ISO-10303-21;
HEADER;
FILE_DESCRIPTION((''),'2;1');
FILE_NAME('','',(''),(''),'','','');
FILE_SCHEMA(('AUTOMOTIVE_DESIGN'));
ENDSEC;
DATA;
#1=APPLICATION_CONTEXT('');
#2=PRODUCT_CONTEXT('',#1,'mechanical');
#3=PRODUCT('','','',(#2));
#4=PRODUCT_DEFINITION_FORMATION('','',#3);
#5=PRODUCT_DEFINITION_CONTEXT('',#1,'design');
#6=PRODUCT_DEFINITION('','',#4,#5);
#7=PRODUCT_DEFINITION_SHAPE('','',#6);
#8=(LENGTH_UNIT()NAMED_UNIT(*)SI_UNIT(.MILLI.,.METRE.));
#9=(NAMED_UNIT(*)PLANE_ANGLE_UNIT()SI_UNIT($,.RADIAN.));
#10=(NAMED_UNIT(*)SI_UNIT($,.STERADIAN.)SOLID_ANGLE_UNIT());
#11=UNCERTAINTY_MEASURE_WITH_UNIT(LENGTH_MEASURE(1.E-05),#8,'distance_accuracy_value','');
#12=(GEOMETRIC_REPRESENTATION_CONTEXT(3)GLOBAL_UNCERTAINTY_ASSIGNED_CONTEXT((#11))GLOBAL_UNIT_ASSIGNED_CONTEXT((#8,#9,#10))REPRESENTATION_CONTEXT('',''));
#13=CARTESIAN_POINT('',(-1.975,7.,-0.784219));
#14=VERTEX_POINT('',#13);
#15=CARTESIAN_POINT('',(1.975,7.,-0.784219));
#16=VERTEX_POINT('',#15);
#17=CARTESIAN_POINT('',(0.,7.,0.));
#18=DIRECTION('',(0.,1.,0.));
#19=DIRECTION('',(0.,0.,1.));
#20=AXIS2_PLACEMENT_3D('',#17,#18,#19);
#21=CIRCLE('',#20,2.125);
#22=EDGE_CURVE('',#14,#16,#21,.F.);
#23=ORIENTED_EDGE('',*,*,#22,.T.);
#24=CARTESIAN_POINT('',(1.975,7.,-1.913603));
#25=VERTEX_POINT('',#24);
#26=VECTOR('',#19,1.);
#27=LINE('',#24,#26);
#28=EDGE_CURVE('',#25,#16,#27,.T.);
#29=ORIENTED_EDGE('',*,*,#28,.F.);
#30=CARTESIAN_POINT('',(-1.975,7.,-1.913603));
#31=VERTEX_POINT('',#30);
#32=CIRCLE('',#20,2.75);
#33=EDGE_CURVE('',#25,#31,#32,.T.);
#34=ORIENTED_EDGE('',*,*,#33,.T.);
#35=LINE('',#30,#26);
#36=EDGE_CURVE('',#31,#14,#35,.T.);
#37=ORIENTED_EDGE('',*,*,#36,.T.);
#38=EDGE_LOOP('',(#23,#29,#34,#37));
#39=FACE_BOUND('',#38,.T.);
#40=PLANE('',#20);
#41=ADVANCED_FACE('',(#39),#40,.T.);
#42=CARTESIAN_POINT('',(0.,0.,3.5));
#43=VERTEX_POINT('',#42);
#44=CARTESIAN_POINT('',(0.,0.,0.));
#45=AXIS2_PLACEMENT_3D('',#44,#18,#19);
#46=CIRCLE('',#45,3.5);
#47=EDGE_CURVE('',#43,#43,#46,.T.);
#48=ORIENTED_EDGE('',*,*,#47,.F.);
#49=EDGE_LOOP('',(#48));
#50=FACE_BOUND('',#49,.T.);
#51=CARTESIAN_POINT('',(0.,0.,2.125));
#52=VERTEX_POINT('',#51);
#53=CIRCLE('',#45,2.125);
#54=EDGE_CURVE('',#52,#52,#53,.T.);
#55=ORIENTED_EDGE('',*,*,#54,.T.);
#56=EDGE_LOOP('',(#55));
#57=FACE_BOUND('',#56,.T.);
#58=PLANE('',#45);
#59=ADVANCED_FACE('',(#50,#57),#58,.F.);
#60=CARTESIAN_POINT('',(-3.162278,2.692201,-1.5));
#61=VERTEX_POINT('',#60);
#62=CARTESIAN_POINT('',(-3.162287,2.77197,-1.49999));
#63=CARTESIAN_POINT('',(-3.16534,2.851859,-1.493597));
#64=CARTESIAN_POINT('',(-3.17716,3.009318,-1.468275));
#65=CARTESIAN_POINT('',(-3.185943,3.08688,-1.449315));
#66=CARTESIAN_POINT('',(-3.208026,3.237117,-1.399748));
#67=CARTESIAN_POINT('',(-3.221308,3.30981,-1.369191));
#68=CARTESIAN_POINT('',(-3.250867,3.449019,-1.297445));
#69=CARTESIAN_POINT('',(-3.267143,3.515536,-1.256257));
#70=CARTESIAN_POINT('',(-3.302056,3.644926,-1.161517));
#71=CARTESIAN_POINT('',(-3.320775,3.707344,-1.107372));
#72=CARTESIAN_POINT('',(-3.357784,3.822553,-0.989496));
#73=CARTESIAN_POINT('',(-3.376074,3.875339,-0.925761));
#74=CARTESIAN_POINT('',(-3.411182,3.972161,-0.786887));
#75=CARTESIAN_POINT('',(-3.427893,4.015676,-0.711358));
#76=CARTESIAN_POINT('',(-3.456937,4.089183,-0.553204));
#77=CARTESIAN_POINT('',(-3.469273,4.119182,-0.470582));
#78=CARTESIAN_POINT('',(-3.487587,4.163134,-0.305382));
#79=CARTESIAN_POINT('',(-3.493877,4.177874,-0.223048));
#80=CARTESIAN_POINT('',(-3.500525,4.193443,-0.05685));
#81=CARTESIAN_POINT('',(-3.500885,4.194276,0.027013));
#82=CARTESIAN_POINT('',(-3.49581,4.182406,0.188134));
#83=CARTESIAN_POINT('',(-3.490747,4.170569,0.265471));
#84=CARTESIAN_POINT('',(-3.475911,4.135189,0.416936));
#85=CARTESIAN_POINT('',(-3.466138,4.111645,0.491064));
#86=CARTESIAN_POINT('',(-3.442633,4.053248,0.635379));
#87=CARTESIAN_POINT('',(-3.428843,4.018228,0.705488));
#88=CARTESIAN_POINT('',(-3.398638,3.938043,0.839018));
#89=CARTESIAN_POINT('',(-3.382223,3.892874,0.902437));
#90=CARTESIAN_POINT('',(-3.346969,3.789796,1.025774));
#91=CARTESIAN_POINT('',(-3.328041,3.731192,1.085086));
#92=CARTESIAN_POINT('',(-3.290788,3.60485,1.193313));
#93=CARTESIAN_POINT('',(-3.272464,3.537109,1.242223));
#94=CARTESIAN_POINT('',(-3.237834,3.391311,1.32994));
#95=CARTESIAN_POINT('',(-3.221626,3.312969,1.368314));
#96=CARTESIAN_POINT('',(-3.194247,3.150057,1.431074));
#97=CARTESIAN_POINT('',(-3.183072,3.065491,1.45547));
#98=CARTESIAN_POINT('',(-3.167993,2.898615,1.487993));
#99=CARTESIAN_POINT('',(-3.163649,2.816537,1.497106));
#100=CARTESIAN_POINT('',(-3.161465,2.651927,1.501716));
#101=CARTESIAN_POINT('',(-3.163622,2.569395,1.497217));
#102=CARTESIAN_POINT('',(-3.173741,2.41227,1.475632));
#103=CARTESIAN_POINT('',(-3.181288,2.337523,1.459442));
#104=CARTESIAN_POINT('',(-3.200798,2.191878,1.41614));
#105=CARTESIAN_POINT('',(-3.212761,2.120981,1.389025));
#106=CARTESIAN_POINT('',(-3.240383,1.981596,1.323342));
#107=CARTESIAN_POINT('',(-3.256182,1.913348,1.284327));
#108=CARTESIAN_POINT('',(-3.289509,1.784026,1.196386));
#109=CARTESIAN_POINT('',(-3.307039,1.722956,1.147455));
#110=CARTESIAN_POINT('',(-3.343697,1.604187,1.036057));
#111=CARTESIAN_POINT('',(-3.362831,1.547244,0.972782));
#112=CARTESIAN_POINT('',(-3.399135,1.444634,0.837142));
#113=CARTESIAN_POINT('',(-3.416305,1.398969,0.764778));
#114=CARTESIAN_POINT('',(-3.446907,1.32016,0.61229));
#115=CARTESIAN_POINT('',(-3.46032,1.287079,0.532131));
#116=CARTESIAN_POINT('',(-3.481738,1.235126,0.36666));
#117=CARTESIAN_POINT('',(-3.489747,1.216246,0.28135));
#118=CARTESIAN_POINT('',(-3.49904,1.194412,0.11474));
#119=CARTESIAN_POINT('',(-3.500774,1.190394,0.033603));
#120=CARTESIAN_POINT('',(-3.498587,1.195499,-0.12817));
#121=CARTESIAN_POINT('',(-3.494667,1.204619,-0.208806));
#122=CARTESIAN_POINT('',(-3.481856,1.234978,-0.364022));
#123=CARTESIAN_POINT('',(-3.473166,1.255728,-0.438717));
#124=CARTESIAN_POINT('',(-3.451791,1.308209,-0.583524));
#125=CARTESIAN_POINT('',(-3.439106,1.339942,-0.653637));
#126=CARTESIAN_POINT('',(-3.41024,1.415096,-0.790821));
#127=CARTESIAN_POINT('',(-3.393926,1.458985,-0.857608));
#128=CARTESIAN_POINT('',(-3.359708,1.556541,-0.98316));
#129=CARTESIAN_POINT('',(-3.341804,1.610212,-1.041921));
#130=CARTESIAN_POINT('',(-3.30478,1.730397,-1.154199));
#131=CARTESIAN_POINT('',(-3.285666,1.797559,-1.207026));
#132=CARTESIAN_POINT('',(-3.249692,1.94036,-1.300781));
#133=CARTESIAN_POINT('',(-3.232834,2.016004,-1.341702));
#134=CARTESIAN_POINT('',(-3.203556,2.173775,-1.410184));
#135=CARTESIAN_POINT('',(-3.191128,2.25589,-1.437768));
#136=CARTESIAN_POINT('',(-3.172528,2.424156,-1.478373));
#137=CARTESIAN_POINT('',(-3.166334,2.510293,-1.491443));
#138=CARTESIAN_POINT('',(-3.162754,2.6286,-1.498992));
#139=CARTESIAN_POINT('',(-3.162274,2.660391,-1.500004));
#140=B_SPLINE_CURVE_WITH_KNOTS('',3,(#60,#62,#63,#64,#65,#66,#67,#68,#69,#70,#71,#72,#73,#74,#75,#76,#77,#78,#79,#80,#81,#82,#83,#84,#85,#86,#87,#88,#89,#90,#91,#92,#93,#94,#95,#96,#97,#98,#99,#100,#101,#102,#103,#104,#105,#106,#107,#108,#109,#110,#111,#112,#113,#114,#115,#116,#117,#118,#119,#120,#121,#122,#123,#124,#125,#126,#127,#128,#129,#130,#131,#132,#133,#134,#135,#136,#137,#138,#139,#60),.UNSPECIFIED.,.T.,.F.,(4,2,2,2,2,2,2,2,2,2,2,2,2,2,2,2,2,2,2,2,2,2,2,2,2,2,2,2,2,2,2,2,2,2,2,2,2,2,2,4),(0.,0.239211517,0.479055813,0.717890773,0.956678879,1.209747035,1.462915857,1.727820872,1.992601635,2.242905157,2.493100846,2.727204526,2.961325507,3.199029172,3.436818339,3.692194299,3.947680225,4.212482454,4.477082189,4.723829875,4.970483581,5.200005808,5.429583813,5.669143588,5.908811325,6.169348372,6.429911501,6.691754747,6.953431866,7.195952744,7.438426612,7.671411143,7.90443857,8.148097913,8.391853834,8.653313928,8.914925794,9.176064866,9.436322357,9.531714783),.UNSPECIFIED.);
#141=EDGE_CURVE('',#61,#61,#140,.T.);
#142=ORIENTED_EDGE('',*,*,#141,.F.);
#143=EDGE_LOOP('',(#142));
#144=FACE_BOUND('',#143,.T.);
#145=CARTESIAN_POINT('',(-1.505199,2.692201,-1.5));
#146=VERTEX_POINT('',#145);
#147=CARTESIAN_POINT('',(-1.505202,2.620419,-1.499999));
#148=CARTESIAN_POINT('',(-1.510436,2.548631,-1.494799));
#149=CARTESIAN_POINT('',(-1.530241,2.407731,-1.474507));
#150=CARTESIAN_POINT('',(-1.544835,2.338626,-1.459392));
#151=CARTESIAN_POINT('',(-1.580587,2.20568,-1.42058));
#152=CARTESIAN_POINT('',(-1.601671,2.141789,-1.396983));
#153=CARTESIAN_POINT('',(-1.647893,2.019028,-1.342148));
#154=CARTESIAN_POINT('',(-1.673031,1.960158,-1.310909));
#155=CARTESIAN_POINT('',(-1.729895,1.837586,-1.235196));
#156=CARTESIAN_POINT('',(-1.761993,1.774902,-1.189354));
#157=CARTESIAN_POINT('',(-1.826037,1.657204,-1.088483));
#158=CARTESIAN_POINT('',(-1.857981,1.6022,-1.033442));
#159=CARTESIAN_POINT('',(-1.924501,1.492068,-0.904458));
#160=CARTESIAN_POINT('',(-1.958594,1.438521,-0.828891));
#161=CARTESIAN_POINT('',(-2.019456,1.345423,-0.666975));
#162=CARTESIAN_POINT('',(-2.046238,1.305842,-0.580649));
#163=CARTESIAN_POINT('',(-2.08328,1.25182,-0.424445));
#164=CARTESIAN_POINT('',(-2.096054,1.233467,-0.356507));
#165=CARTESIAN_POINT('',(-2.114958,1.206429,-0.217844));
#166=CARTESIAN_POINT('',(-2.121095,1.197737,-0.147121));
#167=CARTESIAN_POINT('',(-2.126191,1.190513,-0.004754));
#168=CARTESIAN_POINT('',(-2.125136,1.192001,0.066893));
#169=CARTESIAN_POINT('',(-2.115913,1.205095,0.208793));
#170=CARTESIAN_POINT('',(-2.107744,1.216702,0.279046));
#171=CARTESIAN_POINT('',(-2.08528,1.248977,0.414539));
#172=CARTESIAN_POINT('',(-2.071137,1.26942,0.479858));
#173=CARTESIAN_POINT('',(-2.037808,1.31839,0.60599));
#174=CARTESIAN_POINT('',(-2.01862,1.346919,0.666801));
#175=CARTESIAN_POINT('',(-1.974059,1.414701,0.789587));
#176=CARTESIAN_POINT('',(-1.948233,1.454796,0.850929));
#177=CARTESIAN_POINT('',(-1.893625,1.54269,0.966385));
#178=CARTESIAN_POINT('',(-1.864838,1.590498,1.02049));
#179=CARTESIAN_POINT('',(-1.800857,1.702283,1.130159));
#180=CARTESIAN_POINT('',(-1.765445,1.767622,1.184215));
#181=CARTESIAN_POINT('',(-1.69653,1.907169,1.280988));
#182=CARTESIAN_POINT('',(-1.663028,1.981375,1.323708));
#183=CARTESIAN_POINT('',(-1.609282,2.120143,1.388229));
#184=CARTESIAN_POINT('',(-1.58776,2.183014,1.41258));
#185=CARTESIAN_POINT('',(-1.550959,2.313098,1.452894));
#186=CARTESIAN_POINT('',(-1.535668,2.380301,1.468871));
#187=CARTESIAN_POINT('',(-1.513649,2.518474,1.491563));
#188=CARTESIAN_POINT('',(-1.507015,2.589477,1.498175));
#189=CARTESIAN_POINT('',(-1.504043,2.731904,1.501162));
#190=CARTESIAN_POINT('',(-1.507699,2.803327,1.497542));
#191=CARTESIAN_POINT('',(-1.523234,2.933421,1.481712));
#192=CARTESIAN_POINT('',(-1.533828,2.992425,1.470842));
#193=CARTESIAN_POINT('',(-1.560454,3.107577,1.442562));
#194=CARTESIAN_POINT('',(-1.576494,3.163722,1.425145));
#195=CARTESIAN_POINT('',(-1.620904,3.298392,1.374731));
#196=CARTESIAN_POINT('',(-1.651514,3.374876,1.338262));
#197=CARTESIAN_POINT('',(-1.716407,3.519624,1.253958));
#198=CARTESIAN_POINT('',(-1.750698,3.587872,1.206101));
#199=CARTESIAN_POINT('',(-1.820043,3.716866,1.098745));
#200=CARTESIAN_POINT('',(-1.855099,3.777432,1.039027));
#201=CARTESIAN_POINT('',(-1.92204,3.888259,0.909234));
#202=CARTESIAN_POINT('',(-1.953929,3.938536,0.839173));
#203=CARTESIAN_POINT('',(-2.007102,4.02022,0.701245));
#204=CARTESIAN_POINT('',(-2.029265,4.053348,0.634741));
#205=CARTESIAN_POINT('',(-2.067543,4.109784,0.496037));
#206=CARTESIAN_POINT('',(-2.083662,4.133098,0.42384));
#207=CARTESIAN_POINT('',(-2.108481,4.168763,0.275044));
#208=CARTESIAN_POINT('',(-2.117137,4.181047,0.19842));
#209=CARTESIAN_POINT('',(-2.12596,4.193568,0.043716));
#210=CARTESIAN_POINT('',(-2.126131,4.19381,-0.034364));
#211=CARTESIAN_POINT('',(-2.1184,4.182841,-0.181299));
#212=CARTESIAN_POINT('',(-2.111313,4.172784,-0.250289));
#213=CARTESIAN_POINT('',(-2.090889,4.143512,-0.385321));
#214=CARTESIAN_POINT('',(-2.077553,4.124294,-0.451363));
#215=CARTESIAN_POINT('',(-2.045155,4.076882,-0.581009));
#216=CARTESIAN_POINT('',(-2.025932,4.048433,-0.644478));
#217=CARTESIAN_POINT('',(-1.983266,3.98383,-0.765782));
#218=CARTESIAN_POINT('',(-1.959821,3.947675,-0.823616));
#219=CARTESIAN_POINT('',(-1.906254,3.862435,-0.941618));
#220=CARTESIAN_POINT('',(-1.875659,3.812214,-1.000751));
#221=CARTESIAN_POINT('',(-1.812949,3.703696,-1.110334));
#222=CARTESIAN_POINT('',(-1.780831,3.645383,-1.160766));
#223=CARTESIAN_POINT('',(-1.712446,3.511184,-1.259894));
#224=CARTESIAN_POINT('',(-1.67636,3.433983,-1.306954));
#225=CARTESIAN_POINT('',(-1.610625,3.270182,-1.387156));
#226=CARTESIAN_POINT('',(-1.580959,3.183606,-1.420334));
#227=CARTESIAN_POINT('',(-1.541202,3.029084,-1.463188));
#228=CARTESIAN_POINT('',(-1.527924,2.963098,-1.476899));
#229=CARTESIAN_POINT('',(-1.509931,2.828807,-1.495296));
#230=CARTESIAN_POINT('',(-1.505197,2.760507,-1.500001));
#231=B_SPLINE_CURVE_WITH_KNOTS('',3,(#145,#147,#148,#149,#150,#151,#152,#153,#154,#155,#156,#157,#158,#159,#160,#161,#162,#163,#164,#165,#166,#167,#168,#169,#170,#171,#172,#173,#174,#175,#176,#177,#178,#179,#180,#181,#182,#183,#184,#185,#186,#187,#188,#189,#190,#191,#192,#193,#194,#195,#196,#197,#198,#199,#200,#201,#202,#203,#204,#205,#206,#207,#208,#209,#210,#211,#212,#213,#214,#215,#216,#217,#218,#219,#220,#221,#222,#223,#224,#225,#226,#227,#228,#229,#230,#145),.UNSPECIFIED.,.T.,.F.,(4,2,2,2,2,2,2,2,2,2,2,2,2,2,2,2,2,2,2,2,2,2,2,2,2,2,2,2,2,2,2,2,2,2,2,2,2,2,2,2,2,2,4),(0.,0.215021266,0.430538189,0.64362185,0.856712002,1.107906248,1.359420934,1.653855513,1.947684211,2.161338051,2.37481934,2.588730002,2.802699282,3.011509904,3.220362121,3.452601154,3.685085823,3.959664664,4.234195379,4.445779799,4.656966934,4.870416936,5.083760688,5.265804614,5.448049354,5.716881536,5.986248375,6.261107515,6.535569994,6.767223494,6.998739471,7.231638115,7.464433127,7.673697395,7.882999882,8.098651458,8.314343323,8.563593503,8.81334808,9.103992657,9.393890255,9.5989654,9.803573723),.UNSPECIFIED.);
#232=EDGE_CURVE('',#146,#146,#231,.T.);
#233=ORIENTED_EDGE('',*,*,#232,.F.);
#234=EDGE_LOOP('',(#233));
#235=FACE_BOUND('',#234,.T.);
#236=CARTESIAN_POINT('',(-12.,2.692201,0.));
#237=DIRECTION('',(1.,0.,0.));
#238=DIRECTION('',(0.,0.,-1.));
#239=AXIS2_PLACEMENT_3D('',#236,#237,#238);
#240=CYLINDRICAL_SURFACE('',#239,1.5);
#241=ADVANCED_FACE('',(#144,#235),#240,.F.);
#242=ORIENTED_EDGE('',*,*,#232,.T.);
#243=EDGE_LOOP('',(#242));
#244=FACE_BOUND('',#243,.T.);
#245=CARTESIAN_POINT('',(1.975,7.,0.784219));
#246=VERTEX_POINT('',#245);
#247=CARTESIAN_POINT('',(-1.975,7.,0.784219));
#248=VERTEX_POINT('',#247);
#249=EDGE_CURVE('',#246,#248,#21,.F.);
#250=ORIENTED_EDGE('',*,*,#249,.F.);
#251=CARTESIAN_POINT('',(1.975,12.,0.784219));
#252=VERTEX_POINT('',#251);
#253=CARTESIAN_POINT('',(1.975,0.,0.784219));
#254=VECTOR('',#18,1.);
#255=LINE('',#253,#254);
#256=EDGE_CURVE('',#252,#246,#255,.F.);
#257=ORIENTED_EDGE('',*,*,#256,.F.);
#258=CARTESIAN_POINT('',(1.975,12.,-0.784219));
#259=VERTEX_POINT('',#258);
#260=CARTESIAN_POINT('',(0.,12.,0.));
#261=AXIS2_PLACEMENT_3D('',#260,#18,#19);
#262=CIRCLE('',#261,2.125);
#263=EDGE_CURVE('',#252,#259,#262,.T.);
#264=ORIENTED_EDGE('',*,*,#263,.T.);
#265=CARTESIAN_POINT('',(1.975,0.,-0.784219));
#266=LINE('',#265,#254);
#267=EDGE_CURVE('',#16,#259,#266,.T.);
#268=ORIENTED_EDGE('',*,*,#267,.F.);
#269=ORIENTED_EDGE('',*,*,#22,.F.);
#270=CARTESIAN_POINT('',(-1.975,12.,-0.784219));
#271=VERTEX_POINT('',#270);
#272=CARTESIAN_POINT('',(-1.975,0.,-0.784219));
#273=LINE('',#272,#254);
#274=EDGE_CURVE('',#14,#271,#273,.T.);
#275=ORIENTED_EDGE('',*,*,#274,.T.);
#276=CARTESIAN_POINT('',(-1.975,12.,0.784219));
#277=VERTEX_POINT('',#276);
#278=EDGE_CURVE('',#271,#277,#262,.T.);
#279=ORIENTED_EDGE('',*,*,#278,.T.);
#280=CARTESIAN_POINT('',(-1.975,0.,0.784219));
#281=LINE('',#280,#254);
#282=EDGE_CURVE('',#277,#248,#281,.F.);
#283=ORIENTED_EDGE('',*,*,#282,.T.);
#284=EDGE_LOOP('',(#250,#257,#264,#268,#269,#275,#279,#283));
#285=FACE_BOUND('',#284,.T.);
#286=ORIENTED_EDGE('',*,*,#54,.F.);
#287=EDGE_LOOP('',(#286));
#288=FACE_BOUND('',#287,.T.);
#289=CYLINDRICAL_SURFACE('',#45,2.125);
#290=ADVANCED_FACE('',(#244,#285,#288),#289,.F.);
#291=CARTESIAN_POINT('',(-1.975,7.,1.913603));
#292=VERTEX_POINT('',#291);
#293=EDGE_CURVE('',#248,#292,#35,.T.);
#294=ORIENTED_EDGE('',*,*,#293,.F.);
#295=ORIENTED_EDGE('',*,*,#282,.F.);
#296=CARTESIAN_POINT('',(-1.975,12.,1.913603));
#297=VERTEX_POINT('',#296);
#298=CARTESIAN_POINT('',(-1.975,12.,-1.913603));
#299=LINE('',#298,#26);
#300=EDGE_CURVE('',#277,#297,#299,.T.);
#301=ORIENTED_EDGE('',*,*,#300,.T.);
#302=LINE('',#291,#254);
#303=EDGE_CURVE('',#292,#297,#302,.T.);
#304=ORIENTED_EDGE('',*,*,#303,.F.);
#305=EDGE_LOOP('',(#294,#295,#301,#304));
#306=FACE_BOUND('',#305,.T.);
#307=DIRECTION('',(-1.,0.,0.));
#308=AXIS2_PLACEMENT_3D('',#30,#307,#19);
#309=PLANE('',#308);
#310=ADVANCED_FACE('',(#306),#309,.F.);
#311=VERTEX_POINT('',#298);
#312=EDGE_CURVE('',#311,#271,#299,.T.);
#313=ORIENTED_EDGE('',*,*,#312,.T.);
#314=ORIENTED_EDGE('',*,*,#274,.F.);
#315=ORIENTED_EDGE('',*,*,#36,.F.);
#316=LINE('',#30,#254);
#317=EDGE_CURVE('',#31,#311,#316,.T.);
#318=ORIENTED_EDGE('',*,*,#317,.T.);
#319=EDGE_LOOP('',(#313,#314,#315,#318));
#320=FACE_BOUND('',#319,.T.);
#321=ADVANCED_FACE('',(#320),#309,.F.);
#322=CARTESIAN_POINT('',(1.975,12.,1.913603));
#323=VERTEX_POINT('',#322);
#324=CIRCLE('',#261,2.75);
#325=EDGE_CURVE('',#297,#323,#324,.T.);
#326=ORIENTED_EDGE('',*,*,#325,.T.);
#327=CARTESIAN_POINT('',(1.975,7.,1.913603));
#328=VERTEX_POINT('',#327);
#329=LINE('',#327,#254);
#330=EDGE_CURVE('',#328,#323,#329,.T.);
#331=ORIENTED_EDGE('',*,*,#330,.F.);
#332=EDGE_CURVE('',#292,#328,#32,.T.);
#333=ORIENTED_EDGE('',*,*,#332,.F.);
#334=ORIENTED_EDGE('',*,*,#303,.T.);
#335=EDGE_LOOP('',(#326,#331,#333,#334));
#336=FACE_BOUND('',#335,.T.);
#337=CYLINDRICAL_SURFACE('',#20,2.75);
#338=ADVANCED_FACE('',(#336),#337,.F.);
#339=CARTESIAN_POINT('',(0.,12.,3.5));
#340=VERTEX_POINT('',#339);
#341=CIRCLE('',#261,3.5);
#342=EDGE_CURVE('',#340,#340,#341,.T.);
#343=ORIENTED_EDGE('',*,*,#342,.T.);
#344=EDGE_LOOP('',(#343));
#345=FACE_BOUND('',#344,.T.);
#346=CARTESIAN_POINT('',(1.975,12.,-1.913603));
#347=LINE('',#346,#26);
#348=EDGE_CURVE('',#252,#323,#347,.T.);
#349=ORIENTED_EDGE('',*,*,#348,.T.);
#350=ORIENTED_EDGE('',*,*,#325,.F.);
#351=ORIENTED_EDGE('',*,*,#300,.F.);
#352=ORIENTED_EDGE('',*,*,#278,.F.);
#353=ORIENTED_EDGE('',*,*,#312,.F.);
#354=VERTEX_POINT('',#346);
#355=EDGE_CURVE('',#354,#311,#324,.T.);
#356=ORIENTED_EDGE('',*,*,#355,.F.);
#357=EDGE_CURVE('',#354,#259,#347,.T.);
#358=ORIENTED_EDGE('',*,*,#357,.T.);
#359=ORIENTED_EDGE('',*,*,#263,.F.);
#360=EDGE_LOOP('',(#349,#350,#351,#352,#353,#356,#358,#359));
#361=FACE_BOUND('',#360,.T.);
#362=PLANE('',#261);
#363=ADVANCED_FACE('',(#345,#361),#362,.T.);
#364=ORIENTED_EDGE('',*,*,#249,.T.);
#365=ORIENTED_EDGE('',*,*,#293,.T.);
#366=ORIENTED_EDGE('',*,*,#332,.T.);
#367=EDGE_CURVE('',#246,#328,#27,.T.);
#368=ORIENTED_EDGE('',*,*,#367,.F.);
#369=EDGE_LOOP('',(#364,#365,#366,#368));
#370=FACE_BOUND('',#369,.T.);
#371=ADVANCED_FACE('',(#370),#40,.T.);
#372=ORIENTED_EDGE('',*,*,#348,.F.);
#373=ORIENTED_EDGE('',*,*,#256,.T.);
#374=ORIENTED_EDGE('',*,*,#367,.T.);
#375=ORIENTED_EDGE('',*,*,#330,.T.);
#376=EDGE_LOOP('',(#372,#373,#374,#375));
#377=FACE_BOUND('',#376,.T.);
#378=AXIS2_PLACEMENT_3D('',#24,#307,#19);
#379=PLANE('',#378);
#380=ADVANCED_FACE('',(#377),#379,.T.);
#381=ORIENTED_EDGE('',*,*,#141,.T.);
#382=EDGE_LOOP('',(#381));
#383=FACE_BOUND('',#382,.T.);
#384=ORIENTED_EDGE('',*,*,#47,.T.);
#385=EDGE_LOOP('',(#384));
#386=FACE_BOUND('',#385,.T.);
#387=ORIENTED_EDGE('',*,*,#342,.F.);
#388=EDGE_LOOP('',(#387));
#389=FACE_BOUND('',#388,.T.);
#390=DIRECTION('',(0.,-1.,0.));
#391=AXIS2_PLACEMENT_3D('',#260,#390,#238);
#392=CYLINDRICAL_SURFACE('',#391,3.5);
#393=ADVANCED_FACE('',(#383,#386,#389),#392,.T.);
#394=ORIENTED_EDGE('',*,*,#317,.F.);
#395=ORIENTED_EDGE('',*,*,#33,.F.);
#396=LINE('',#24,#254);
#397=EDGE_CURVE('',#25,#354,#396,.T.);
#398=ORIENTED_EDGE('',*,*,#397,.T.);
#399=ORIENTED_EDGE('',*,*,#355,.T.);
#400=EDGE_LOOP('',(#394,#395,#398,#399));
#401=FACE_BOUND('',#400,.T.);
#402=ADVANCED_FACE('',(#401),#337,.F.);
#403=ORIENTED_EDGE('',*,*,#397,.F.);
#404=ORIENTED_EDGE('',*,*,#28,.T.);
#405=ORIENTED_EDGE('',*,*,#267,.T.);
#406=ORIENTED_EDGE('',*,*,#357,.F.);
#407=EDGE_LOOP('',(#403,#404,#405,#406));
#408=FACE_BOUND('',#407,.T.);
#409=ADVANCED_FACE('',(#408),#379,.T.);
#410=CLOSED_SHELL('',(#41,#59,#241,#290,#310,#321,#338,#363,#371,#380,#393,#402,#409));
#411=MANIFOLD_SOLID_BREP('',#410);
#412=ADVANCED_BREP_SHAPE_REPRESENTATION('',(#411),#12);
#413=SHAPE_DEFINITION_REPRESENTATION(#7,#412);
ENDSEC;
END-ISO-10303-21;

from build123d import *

# Parameters (mm, degrees)
SKETCH_1_R          = 3.5
EXTRUDE_1_DEPTH     = 12
SKETCH_2_R          = 2.125
CUT_EXTRUDE_1_DEPTH = 12
SKETCH_3_R          = 1.5
CUT_EXTRUDE_2_DEPTH = 12
CUT_EXTRUDE_3_DEPTH = 5


with BuildPart() as part:
    # 草图1 → 凸台-拉伸1 (new body)
    with BuildSketch(Plane(origin=(0, 0, 0), x_dir=(1, 0, 0), z_dir=(0, 1, 0))):
        with Locations(Location((0, 0, 0), (0, 0, 270))):
            Circle(SKETCH_1_R)
    extrude(amount=EXTRUDE_1_DEPTH)

    # 草图2 → 切除-拉伸1 (cut)
    with BuildSketch(Plane(origin=(0, 12, 0), x_dir=(1, 0, 0), z_dir=(0, 1, 0))):
        with Locations(Location((0, 0, 0), (0, 0, 270))):
            Circle(SKETCH_2_R)
    extrude(amount=-CUT_EXTRUDE_1_DEPTH, mode=Mode.SUBTRACT)

    # 草图3 → 切除-拉伸2 (cut)
    with BuildSketch(Plane(origin=(0, 0, 0), x_dir=(0, 0, -1), z_dir=(1, 0, 0))):
        with Locations((0, 2.692201217)):
            Circle(SKETCH_3_R)
    extrude(amount=-CUT_EXTRUDE_2_DEPTH, mode=Mode.SUBTRACT)

    # 草图4 → 切除-拉伸3 (cut)
    with BuildSketch(Plane(origin=(0, 12, 0), x_dir=(1, 0, 0), z_dir=(0, 1, 0))):
        with BuildLine():
            Line((-1.975, 1.913602623), (-1.975, -1.913602623))
            ThreePointArc((-1.975, -1.913602623), (0, -2.75), (1.975, -1.913602623))
            Line((1.975, -1.913602623), (1.975, 1.913602623))
            ThreePointArc((1.975, 1.913602623), (0, 2.75), (-1.975, 1.913602623))
        make_face()
    extrude(amount=-CUT_EXTRUDE_3_DEPTH, mode=Mode.SUBTRACT)


solid = part.part
